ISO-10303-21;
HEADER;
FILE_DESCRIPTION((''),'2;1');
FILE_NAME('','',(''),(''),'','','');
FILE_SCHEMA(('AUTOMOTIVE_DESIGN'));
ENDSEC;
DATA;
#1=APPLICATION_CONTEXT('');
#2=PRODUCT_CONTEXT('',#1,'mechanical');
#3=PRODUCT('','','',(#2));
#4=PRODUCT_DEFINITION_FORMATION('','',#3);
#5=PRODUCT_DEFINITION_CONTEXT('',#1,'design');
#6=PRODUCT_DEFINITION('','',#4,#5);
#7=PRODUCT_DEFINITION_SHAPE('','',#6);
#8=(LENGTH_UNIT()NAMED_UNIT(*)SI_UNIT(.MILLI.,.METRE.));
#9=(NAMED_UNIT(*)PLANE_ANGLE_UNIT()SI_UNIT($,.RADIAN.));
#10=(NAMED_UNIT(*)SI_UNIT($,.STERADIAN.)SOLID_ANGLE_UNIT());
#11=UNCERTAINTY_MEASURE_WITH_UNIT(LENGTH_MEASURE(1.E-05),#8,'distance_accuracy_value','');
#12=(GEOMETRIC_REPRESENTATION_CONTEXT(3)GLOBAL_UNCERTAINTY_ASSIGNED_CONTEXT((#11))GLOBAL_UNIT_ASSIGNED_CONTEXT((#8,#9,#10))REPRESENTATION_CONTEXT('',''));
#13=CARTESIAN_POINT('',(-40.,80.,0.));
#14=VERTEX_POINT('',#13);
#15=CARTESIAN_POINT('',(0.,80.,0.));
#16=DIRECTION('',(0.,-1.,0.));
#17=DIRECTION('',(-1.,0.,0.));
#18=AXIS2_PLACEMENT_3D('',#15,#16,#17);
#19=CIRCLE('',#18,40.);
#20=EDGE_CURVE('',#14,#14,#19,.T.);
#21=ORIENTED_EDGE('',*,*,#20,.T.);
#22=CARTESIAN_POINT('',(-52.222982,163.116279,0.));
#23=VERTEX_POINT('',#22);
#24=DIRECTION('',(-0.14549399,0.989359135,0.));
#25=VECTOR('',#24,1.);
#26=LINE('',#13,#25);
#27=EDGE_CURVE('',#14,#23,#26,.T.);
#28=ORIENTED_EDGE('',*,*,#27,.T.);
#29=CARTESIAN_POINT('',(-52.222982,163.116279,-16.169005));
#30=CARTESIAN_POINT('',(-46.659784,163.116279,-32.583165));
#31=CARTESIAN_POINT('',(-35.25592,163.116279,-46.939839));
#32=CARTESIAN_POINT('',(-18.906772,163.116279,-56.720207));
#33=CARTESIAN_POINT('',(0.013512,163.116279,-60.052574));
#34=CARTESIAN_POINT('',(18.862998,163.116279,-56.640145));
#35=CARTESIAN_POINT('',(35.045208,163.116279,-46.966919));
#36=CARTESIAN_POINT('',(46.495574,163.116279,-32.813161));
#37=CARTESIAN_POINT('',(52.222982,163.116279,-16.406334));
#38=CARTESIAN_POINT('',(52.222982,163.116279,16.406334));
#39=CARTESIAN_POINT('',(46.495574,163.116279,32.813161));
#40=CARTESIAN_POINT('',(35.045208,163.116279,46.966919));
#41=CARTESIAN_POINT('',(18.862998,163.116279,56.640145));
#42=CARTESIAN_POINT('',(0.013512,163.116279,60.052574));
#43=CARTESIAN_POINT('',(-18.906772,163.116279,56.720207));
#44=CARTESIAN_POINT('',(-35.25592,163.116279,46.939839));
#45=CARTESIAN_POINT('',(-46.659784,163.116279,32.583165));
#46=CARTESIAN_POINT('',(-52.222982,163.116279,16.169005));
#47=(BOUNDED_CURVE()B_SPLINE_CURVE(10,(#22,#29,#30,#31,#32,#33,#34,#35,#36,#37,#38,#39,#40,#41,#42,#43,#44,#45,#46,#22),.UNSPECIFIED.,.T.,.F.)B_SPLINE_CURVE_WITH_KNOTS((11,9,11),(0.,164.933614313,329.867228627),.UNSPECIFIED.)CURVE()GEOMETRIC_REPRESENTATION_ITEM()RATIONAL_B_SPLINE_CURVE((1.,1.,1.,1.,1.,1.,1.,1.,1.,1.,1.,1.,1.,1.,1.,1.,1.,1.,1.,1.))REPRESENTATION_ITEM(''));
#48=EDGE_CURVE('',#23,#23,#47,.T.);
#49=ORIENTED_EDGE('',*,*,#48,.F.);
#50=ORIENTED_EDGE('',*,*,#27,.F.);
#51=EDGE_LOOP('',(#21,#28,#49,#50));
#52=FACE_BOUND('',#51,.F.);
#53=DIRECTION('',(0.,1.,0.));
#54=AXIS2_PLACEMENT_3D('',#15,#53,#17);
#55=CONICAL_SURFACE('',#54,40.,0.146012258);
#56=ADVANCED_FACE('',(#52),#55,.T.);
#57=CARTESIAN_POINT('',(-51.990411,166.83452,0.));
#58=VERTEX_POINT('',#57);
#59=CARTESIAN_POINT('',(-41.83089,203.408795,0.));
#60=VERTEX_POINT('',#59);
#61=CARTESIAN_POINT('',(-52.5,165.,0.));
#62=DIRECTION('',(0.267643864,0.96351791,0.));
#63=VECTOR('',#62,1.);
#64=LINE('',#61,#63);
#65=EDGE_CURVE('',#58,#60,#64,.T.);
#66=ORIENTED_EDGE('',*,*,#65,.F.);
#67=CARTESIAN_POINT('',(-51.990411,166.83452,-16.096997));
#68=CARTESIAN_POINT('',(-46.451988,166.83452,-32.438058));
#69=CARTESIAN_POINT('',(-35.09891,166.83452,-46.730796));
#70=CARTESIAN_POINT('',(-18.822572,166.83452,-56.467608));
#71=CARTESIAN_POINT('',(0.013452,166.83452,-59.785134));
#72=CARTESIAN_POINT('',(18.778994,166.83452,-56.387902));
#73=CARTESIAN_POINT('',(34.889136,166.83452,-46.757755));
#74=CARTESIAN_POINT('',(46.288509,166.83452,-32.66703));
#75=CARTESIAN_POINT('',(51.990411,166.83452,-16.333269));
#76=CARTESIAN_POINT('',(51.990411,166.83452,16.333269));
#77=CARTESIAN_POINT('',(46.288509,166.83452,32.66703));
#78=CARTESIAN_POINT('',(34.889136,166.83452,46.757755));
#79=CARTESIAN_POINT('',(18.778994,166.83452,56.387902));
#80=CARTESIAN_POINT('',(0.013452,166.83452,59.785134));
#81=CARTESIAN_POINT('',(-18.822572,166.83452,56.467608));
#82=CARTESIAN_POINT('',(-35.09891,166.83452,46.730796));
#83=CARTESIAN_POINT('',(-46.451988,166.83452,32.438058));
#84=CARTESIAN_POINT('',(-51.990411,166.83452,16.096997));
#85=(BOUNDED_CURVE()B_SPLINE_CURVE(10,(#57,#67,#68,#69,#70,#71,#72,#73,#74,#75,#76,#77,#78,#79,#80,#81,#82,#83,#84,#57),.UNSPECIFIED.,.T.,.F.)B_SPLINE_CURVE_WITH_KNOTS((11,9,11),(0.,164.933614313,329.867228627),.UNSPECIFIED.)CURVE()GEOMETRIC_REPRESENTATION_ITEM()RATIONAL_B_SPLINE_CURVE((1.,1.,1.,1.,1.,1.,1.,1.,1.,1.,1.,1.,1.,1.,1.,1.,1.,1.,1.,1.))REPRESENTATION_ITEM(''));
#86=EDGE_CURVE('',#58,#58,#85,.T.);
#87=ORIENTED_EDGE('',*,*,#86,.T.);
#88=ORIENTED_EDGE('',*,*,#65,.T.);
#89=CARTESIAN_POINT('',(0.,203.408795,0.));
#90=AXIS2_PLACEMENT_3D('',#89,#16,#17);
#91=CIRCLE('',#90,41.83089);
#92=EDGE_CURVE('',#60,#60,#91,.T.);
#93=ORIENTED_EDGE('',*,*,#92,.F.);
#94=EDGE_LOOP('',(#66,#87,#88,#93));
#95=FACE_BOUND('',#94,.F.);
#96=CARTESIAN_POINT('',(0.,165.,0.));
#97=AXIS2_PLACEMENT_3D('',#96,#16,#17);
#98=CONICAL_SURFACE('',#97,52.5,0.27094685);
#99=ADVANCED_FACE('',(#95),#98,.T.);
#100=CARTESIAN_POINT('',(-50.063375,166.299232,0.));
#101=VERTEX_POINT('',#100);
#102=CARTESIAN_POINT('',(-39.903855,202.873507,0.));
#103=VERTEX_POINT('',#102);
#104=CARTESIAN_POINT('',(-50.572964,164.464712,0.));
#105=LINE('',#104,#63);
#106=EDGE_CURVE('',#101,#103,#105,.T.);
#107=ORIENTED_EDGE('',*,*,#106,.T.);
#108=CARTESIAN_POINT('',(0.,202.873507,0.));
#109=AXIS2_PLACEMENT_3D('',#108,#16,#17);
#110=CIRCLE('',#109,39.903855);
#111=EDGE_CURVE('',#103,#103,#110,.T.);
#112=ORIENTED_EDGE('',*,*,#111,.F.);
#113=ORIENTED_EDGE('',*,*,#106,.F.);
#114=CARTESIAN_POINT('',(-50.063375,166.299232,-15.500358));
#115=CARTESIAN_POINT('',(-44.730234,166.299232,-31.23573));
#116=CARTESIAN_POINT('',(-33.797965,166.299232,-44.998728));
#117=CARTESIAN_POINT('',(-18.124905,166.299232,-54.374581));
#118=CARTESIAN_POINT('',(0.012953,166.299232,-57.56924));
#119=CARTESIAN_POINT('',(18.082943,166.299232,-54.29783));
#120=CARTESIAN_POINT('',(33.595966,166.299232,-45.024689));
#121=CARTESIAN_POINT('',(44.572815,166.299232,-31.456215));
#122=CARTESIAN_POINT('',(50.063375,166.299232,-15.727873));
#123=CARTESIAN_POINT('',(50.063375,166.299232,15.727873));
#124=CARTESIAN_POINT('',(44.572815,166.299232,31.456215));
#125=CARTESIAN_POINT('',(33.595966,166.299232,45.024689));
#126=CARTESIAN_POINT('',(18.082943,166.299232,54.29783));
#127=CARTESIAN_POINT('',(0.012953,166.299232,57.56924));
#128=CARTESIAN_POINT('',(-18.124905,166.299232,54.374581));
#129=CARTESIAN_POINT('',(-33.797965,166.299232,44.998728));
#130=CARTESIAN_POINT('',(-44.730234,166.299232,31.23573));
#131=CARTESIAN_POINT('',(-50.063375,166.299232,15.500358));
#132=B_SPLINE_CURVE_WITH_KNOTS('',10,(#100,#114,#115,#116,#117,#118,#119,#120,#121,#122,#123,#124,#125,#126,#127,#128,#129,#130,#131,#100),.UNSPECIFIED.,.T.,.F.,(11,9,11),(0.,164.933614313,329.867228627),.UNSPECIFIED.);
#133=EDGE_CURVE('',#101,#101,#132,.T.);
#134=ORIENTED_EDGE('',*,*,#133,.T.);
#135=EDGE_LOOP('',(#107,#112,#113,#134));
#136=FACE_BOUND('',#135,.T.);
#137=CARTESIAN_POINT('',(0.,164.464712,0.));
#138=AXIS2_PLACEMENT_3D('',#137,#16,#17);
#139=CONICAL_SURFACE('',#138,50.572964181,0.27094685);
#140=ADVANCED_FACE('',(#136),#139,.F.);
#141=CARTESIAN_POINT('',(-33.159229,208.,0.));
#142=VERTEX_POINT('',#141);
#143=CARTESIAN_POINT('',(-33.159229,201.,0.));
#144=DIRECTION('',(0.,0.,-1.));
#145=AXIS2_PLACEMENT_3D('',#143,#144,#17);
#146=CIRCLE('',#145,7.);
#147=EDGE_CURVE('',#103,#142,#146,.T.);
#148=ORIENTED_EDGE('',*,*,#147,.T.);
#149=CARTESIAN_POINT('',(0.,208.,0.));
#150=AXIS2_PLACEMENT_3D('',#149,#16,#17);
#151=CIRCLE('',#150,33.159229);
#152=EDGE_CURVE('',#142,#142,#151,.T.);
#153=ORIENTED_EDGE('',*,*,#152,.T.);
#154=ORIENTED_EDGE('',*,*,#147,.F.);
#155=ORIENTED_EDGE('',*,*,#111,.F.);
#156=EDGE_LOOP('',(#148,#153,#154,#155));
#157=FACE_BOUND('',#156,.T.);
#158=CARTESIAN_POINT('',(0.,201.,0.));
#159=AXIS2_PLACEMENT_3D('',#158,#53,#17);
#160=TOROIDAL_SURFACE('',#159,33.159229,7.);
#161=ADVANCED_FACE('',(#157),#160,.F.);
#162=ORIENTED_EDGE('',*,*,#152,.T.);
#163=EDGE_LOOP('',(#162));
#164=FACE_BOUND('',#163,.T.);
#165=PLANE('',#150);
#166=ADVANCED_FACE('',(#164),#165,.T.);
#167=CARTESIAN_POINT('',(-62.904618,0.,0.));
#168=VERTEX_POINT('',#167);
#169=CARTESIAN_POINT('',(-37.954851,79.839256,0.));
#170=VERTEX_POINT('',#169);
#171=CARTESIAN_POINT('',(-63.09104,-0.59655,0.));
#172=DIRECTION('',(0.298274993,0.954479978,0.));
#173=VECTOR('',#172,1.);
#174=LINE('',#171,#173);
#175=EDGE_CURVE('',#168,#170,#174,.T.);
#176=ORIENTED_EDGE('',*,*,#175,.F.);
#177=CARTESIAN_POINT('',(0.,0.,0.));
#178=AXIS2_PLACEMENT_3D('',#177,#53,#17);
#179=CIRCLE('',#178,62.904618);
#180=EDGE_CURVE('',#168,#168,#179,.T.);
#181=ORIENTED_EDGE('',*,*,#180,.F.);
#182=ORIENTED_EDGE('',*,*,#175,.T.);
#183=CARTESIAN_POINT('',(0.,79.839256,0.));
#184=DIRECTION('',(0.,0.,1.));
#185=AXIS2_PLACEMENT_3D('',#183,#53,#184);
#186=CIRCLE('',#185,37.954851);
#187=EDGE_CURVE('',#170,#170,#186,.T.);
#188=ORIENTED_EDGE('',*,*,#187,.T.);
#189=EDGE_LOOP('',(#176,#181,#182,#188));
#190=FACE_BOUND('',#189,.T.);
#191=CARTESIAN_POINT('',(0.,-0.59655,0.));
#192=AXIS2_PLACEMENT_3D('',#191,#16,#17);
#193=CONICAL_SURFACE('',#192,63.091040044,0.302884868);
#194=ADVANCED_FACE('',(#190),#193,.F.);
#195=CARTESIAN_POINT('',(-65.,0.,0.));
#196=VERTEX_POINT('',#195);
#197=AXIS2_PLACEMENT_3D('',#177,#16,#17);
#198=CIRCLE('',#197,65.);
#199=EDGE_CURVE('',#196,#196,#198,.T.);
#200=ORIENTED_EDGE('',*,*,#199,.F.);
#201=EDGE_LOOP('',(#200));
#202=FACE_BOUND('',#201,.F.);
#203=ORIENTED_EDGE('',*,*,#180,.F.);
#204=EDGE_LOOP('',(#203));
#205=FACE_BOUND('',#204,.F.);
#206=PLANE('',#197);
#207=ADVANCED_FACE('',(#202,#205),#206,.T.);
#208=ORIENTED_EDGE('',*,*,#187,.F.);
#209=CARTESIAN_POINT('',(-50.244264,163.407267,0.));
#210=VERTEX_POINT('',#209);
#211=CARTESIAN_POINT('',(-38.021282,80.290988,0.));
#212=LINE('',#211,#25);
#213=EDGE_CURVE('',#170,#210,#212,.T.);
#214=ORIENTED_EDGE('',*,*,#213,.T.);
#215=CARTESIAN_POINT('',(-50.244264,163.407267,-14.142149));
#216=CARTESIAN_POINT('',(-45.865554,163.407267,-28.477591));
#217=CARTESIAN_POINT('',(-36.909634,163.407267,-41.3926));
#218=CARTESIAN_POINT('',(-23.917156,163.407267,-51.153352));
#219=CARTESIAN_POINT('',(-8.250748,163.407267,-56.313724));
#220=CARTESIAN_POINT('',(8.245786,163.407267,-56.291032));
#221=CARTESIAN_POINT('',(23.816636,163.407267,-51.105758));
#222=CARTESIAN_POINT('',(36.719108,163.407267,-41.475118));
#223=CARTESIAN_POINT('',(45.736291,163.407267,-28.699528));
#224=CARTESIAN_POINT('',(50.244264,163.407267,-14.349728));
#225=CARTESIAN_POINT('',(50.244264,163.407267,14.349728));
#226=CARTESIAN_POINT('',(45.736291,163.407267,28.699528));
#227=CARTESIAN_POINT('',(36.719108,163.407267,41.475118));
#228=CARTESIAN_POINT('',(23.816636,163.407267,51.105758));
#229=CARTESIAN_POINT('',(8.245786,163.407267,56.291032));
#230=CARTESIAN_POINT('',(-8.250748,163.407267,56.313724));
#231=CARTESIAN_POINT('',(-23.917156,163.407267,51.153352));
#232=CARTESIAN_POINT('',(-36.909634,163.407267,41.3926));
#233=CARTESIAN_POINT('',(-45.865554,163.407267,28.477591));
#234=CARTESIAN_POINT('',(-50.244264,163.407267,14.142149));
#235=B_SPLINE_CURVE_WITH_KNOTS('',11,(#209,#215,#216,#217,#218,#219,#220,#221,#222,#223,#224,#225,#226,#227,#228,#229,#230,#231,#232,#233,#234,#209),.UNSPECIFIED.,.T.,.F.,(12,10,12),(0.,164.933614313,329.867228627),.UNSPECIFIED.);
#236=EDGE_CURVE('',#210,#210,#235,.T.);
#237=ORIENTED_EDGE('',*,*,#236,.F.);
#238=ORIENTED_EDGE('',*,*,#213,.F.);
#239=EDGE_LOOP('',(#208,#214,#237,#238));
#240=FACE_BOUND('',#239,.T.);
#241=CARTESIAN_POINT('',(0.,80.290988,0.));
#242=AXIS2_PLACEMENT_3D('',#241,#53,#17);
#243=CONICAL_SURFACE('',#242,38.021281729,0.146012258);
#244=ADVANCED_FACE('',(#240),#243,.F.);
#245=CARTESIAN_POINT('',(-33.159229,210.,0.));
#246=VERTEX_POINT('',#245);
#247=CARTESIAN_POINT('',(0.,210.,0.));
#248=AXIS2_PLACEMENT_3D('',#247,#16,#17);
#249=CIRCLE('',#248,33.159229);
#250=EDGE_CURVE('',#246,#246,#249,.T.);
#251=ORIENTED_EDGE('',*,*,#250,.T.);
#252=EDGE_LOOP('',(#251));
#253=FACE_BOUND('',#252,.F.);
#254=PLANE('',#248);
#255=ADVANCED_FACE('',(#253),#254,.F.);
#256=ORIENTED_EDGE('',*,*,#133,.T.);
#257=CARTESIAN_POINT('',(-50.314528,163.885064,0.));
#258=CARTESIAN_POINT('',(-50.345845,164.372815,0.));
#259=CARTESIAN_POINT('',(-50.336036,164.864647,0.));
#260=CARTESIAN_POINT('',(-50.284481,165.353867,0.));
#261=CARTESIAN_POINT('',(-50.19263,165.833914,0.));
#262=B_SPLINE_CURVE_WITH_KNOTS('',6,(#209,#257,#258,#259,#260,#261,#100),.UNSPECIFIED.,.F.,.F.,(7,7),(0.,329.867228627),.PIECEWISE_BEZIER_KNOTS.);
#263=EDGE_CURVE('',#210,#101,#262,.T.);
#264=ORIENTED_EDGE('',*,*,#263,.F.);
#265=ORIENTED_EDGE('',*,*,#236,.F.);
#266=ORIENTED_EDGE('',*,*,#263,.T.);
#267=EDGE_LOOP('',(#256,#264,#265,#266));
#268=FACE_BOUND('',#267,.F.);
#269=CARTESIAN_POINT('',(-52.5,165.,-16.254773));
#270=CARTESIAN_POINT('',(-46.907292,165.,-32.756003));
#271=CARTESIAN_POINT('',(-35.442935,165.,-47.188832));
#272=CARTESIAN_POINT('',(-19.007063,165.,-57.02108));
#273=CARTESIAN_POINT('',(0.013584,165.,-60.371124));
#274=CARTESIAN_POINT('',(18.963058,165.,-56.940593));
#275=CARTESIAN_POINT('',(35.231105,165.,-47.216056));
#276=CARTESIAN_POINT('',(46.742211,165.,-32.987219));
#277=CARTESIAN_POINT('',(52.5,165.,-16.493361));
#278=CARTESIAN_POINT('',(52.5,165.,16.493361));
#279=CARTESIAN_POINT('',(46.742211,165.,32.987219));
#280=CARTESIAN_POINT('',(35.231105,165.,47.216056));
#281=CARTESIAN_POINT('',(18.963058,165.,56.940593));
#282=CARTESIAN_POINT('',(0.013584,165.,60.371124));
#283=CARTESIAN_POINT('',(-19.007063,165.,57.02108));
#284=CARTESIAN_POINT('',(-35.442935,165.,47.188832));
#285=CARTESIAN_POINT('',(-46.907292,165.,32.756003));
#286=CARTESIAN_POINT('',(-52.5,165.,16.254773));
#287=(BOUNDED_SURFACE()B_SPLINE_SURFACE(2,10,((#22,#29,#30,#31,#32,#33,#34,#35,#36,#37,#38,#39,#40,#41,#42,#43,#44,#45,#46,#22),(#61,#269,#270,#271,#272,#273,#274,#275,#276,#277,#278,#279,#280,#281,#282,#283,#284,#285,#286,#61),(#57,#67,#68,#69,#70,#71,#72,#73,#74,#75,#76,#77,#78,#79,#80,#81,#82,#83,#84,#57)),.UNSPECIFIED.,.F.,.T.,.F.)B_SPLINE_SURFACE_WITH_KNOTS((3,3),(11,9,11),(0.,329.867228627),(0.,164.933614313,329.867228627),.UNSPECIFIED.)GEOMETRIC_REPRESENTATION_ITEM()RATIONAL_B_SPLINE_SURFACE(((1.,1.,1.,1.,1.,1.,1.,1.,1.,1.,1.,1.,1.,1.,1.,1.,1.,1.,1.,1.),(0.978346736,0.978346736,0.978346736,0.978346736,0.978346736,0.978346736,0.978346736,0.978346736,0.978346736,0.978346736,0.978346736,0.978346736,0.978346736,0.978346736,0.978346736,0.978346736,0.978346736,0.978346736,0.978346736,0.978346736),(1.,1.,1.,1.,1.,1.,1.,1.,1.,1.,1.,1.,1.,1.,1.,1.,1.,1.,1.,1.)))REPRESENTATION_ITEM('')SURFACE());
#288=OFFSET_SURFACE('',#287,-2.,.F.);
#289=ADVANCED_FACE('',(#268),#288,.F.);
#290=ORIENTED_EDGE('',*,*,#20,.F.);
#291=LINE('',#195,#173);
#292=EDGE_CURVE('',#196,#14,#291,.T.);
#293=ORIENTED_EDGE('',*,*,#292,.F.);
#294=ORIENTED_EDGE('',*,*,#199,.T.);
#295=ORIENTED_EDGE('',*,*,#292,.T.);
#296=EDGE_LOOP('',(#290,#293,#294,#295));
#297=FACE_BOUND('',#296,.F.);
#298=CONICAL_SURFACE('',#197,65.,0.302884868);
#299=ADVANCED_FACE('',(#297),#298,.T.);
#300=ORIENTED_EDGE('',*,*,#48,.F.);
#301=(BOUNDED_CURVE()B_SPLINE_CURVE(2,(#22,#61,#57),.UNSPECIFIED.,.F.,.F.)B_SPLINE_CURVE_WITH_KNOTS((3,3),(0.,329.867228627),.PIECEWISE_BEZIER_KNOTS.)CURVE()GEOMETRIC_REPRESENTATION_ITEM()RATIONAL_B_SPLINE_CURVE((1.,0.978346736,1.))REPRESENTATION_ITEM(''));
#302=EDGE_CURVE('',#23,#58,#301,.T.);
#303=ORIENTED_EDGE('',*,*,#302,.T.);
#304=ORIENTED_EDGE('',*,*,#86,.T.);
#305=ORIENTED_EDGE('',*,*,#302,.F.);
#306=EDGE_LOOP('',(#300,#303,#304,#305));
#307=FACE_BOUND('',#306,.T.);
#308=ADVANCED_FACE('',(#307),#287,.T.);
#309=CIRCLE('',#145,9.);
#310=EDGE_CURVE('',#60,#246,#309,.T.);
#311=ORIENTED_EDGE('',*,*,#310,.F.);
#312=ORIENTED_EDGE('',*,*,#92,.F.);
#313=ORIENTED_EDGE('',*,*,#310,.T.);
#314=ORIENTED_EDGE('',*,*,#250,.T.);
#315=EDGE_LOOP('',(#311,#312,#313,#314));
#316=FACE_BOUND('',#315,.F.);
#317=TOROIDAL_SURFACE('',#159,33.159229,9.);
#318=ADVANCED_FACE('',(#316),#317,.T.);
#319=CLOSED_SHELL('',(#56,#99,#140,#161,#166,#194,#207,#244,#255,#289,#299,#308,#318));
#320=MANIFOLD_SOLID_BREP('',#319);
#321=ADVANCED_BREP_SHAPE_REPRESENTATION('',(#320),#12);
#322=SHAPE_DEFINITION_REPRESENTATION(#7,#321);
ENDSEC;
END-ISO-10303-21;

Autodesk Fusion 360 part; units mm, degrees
sketch "Esquisse1" plane through (0, 0, 0) normal (0, 0, 1) x (1, 0, 0)
  line L0 (0, 0) -> (-65, 0)
  line L1 (-65, 0) -> (-40, 80)
  line L2 (-40, 80) -> (-52.5, 165)
  line L3 (-52.5, 165) -> (-40, 210)
  line L4 (-40, 210) -> (0, 210)
  line L5 (0, 210) -> (0, 0)
  dimension "d1" = 65
  dimension "d3" = 45
  dimension "d4" = 85
  dimension "d5" = 80
  dimension "d6" = 40
  dimension "d7" = 52.5
  dimension "d8" = 40
revolve "Révolution1" add sketch "Esquisse1" angle 360 about axis through (0, 210, 0) along (0, -1, 0)
fillet "Congé1" radius 9 1 edges at (-48.9472, 165, 18.9848)
fillet "Congé2" radius 9 1 edges at (-37.2931, 210, 14.4646)
shell "Coque1" thickness 2 removed faces 1 at (20.2416, 0, -0.2148)
